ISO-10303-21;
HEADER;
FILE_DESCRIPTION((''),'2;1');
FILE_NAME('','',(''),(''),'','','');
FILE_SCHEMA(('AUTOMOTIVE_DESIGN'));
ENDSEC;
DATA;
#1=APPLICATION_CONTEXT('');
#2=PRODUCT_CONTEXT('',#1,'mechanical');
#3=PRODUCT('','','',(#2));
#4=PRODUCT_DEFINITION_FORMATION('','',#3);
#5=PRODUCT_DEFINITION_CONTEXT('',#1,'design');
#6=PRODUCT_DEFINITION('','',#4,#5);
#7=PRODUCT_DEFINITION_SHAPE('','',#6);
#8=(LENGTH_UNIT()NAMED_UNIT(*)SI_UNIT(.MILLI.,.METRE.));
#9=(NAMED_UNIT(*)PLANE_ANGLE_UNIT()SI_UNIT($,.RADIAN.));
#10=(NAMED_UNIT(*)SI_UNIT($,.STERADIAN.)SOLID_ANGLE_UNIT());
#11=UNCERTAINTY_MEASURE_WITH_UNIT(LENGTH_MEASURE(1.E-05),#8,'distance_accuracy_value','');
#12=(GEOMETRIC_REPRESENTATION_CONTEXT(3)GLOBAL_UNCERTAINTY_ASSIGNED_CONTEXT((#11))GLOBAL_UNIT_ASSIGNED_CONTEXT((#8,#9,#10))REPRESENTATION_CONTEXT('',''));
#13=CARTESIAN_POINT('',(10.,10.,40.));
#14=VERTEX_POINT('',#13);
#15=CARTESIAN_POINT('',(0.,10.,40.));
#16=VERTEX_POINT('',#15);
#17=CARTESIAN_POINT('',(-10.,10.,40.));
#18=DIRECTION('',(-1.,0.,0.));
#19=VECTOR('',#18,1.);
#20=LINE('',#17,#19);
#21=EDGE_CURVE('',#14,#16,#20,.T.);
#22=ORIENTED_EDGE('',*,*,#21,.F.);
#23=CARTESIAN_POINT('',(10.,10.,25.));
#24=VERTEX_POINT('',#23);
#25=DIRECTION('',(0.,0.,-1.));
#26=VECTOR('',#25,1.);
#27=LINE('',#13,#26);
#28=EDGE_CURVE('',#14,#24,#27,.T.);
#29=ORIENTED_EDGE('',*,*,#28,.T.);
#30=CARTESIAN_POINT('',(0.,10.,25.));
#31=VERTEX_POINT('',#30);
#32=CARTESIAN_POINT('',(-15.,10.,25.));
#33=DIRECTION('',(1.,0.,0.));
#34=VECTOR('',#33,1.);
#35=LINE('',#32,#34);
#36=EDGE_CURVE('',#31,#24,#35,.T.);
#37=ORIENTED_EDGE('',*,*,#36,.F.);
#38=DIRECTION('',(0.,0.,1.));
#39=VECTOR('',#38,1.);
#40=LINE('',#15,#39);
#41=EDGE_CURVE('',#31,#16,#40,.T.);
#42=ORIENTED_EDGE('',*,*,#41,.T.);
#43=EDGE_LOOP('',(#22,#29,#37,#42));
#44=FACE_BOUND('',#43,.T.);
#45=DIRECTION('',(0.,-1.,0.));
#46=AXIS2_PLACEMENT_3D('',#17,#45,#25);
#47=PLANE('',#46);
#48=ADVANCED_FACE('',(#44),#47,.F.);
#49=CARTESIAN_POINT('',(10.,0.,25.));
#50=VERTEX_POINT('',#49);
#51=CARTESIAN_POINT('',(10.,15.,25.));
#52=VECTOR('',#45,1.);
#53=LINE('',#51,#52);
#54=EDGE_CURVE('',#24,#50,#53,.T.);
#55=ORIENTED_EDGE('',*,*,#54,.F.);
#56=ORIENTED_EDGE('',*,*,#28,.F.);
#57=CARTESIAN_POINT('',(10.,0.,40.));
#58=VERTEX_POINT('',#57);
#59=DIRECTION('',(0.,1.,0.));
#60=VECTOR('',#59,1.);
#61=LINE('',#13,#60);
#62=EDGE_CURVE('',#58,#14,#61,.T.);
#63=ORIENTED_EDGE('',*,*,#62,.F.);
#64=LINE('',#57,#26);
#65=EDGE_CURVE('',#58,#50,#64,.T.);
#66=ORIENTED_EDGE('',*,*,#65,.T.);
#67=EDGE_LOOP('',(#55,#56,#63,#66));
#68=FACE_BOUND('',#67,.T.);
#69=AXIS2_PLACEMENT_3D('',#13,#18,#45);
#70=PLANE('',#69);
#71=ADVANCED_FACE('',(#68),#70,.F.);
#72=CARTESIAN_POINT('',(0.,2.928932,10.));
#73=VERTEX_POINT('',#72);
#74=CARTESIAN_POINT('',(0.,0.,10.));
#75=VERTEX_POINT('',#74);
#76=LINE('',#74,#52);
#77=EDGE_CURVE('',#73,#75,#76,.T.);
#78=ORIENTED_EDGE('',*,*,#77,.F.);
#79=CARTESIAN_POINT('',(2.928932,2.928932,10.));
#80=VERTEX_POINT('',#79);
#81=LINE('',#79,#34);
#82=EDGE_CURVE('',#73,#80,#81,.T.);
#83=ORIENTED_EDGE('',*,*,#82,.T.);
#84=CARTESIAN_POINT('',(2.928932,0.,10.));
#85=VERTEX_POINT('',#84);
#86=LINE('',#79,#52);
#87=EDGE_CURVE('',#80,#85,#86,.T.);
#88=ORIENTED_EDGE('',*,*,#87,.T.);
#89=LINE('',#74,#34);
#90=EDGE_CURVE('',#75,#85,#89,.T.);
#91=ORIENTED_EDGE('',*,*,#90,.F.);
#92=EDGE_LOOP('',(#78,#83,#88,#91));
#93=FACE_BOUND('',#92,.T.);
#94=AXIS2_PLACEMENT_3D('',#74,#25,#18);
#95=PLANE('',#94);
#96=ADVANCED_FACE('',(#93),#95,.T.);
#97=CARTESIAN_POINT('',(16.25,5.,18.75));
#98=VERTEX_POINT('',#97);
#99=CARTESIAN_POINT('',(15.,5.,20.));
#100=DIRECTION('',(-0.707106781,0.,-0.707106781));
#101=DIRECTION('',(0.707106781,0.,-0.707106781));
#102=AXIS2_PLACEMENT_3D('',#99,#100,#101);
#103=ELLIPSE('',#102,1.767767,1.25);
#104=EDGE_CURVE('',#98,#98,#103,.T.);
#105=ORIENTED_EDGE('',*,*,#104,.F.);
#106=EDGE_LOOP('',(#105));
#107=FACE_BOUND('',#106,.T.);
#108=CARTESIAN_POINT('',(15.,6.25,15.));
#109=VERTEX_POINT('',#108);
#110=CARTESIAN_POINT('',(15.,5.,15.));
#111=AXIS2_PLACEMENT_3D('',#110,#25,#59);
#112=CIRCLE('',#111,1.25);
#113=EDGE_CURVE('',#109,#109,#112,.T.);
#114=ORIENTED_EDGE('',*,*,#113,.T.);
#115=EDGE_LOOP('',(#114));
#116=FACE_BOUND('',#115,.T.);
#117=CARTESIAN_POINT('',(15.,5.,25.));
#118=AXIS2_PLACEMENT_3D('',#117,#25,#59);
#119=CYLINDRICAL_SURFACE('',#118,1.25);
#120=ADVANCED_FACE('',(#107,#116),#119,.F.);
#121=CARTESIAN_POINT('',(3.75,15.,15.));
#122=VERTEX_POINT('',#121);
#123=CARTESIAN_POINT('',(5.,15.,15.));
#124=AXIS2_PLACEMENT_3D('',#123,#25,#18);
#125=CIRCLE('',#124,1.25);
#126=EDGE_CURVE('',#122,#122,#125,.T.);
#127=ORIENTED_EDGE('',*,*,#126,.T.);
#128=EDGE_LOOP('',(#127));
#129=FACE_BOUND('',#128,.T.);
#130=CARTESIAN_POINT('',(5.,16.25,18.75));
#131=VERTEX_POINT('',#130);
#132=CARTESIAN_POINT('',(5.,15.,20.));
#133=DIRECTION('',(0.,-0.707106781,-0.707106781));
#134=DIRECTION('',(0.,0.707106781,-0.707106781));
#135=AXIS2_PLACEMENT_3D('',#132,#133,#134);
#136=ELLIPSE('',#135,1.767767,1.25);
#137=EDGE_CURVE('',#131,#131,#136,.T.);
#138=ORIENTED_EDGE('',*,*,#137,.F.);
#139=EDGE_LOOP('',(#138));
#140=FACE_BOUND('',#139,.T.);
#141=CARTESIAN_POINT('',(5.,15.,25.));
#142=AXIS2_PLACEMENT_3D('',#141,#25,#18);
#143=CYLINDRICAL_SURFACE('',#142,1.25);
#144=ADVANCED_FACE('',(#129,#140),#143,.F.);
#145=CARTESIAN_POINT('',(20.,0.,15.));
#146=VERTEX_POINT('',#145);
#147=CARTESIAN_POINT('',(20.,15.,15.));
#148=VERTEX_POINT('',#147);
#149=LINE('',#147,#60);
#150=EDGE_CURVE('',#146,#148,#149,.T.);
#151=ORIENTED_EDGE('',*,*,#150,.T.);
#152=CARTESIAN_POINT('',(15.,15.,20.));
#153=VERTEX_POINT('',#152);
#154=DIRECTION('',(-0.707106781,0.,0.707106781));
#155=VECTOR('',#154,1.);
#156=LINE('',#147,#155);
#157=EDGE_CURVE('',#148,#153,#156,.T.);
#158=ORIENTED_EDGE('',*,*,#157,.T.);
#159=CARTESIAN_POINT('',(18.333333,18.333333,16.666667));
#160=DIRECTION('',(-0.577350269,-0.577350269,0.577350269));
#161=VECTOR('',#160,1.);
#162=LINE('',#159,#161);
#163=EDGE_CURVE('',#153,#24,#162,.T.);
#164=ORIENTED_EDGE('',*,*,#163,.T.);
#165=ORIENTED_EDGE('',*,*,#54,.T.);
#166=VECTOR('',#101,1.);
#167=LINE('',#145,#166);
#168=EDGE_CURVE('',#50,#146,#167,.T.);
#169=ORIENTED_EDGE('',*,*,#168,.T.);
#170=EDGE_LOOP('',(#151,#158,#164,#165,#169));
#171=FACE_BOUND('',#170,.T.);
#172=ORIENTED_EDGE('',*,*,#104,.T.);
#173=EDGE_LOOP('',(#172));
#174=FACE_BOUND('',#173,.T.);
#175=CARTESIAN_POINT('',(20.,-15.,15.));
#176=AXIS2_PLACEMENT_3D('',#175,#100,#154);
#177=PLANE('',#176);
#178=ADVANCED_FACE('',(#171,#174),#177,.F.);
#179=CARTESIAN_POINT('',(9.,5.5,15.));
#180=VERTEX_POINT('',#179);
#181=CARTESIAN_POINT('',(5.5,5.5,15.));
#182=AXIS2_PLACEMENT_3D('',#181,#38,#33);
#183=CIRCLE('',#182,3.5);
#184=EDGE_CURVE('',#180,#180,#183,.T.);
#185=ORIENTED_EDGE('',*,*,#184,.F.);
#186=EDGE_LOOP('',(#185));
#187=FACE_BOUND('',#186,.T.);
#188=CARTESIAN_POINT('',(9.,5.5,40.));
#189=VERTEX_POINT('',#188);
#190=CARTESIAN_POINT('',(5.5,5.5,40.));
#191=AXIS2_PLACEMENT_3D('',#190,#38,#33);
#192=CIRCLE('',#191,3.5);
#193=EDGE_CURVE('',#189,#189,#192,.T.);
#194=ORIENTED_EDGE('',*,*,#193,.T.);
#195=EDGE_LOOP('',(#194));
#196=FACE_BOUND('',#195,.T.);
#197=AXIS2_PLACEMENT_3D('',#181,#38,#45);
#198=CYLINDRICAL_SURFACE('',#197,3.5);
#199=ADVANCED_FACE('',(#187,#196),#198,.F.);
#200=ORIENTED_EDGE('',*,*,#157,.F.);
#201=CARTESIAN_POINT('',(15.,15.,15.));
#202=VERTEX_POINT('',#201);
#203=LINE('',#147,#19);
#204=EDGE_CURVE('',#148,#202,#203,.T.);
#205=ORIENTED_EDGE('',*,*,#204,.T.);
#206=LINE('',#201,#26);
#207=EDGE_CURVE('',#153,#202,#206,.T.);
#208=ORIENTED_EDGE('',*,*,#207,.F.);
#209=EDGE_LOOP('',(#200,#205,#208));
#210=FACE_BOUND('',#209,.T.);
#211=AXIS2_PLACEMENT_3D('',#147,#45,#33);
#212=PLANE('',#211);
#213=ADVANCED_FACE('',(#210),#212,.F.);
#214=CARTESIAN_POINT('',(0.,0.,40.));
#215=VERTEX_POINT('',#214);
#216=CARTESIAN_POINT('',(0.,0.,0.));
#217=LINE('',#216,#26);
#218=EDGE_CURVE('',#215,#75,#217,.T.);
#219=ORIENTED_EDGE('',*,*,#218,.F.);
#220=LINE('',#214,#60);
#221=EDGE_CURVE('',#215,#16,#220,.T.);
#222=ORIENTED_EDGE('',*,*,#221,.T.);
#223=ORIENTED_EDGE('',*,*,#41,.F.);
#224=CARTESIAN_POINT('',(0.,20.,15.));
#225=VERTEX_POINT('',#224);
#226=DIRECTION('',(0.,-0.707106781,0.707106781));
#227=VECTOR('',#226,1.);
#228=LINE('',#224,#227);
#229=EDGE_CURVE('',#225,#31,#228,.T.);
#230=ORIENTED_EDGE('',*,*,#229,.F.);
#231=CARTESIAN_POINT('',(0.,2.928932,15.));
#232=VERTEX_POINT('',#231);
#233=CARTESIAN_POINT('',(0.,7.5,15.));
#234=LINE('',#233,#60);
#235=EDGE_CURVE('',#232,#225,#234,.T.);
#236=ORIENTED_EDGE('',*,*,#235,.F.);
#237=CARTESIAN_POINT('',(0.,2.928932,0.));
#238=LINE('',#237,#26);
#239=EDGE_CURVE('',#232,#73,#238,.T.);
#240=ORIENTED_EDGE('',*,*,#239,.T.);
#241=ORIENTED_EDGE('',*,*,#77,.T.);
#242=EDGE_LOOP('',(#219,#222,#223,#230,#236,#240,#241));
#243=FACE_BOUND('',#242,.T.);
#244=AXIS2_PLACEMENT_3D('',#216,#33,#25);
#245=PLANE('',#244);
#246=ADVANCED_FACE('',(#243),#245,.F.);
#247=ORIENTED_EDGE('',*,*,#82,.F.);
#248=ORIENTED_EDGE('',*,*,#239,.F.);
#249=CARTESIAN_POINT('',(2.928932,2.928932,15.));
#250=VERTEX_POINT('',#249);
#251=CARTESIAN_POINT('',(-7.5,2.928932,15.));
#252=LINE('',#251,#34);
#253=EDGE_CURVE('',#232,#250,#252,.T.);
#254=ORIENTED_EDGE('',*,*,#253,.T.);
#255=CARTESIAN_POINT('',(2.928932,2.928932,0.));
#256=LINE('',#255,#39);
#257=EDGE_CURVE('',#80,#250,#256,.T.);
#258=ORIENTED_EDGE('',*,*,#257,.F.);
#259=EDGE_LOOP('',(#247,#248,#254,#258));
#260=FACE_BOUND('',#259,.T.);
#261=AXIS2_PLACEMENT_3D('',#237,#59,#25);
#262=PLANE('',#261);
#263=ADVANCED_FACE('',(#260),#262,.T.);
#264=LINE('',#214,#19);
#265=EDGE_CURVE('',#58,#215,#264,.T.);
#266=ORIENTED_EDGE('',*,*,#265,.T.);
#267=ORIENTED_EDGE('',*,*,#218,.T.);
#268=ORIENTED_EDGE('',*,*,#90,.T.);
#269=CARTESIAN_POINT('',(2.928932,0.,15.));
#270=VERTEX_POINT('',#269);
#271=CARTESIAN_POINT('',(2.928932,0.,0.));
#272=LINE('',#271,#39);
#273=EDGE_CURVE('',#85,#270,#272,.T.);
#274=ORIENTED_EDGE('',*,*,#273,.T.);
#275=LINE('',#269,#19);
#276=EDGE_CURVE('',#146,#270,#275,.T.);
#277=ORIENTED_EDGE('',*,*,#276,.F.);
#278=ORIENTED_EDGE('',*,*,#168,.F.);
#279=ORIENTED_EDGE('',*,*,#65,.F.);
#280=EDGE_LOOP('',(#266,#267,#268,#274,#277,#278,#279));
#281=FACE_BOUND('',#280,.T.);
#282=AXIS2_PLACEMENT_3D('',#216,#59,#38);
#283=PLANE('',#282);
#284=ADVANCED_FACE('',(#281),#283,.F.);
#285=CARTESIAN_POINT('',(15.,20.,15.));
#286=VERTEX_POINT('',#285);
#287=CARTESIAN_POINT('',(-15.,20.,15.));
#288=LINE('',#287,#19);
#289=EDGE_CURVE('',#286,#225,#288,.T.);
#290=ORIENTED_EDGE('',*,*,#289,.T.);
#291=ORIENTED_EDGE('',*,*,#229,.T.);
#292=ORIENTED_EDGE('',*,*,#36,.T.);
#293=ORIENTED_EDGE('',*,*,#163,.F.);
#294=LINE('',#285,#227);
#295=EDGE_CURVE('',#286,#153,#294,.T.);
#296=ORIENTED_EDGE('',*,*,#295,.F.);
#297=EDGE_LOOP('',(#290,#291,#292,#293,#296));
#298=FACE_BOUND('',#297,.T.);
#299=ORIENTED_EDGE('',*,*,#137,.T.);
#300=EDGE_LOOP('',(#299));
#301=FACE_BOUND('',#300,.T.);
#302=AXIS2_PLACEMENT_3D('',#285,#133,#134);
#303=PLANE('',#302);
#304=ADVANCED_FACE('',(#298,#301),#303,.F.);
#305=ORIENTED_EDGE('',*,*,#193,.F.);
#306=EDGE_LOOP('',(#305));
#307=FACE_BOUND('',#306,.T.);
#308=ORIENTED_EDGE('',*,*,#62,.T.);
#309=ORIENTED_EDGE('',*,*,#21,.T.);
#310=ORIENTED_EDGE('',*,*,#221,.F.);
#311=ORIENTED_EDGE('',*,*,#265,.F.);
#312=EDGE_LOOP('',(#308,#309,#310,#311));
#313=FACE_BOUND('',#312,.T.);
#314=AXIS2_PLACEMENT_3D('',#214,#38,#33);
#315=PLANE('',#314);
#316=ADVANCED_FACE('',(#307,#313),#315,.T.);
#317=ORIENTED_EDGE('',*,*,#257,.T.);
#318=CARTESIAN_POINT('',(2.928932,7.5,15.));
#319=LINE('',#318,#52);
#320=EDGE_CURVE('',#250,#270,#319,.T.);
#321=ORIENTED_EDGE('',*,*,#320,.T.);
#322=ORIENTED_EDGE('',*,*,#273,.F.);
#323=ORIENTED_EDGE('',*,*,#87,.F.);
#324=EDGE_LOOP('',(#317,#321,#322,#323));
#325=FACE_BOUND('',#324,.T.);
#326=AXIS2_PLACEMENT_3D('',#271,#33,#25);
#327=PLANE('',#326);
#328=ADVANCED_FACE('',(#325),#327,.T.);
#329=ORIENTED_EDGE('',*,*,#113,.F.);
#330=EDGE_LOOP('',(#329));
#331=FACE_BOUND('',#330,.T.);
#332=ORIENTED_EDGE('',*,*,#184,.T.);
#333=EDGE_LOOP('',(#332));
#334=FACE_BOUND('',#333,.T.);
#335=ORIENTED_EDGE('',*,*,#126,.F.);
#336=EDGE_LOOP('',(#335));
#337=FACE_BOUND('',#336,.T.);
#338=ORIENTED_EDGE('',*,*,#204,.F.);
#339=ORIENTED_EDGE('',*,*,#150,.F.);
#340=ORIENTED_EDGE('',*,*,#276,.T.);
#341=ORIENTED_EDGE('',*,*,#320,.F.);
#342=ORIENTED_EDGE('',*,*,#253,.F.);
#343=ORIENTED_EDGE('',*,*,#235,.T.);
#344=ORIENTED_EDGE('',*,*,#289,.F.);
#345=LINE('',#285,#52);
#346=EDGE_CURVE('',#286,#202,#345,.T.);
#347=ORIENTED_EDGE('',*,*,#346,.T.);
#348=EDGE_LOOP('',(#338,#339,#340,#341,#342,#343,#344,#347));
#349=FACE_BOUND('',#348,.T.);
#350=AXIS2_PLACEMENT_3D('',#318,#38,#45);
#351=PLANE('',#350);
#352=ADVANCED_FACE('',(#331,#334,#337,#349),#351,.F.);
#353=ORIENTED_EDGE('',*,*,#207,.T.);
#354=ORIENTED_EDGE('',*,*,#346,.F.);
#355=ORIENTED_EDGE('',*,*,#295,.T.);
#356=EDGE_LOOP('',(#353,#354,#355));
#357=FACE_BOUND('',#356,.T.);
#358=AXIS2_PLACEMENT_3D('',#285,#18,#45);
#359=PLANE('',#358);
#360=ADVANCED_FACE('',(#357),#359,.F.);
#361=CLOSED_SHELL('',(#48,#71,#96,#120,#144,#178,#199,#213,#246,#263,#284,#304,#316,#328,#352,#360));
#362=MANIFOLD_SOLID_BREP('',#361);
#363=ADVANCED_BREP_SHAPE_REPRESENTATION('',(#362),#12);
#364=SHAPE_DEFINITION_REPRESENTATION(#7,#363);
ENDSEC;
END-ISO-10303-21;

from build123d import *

# Parameters (mm, degrees)
SKETCH_1_W                = 20
SKETCH_1_H                = 20
EXTRUDE_1_DEPTH           = 40
SKETCH_2_W                = 10
SKETCH_2_H                = 15
CUT_EXTRUDE_1_DEPTH       = 7.071067812
PATTERN_CIRCULAR_1_COUNT  = 4
SKETCH_5_R                = 3.5
CUT_EXTRUDE_2_DEPTH       = 25
CUT_EXTRUDE_3_DEPTH       = 5
SKETCH_9_W                = 5.878932188
SKETCH_9_H                = 5.878932188
CUT_EXTRUDE_5_DEPTH       = 5
SKETCH_11_W               = 10
SKETCH_11_H               = 30
EXTRUDE_2_DEPTH           = 10
CUT_EXTRUDE_6_DEPTH       = 30
SKETCH_13_R               = 1.25
CUT_EXTRUDE_7_DEPTH       = 10
PATTERN_CIRCULAR_2_COUNT  = 4
SKETCH_16_W               = 20
SKETCH_16_H               = 10
CUT_EXTRUDE_11_DEPTH      = 40
SKETCH_17_W               = 20
SKETCH_17_H               = 20
SKETCH_17_W_2             = 5.857864376
SKETCH_17_H_2             = 5.857864376
CUT_EXTRUDE_12_DEPTH      = 5
CUT_EXTRUDE_13_DEPTH      = 54.851648071
CUT_EXTRUDE_13_DEPTH_BACK = 10
SKETCH_19_W               = 81.536041923
SKETCH_19_H               = 68.786769913
CUT_EXTRUDE_16_DEPTH      = 400
SKETCH_20_W               = 73.081310303
SKETCH_20_H               = 44.358386444
CUT_EXTRUDE_18_DEPTH      = 400


with BuildPart() as part:
    # 스케치1 → 보스-돌출1 (new body)
    with BuildSketch(Plane.XY):
        Rectangle(SKETCH_1_W, SKETCH_1_H)
    extrude(amount=EXTRUDE_1_DEPTH)

    # 스케치2 → 컷-돌출1 (cut)
    with BuildSketch(Plane(origin=(10, 0, 0), x_dir=(0, 0, -1), z_dir=(1, 0, 0))):
        with Locations((-10, 0)):
            Rectangle(SKETCH_2_W, SKETCH_2_H)
    cut_extrude_1 = extrude(amount=-CUT_EXTRUDE_1_DEPTH, mode=Mode.SUBTRACT)

    # 원형 패턴1: 컷-돌출1 ×4 about axis
    pattern_circular_1_axis = Axis((0, 0, 0), (0, 0, 1))
    for i in range(1, PATTERN_CIRCULAR_1_COUNT):
        add(cut_extrude_1.rotate(pattern_circular_1_axis, i * 360 / PATTERN_CIRCULAR_1_COUNT), mode=Mode.SUBTRACT)

    # 스케치5 → 컷-돌출2 (cut)
    with BuildSketch(Plane.XY.offset(40)):
        with Locations((-5.5, 5.5)):
            Circle(SKETCH_5_R)
        with Locations((5.5, 5.5)):
            Circle(SKETCH_5_R)
        with Locations(Location((-5.5, -5.5, 0), (0, 0, 235.150095421))):
            Circle(SKETCH_5_R)
        with Locations(Location((5.5, -5.5, 0), (0, 0, 304.849904579))):
            Circle(SKETCH_5_R)
    extrude(amount=-CUT_EXTRUDE_2_DEPTH, mode=Mode.SUBTRACT)

    # 스케치6 → 컷-돌출3 (cut)
    with BuildSketch(Plane(origin=(0, 0, 0), x_dir=(-1, 0, 0), z_dir=(0, 0, -1))):
        Polygon((-14.808802863, -2.95), (-14.808802863, 2.95), (-2.95, 2.95), (-2.95, 12.360254216), (2.95, 12.360254216), (2.95, 2.95), (13.852115441, 2.95), (13.852115441, -2.95), (2.95, -2.95), (2.95, -13.975695818), (-2.95, -13.975695818), (-2.95, -2.95), align=None)
    extrude(amount=-CUT_EXTRUDE_3_DEPTH, mode=Mode.SUBTRACT)

    # 스케치9 → 컷-돌출5 (cut)
    with BuildSketch(Plane(origin=(0, 0, 5), x_dir=(-1, 0, 0), z_dir=(0, 0, -1))):
        with Locations((0.010533906, -0.010533906)):
            Rectangle(SKETCH_9_W, SKETCH_9_H)
    extrude(amount=-CUT_EXTRUDE_5_DEPTH, mode=Mode.SUBTRACT)

    # 스케치11 → 보스-돌출2 (add)
    with BuildSketch(Plane(origin=(10, 0, 0), x_dir=(0, 0, -1), z_dir=(1, 0, 0))):
        with Locations((-20, 0)):
            Rectangle(SKETCH_11_W, SKETCH_11_H)
    extrude_2 = extrude(amount=EXTRUDE_2_DEPTH)

    # 스케치12 → 컷-돌출6 (cut)
    with BuildSketch(Plane(origin=(0, 15, 0), x_dir=(1, 0, 0), z_dir=(0, 1, 0))):
        Polygon((20, -15), (10, -25), (20, -25), align=None)
    cut_extrude_6 = extrude(amount=-CUT_EXTRUDE_6_DEPTH, mode=Mode.SUBTRACT)

    # 스케치13 → 컷-돌출7 (cut)
    with BuildSketch(Plane(origin=(0, 0, 15), x_dir=(-1, 0, 0), z_dir=(0, 0, -1))):
        with Locations(Location((-15, -5, 0), (0, 0, 90))):
            Circle(SKETCH_13_R)
        with Locations(Location((-15, 5, 0), (0, 0, 90))):
            Circle(SKETCH_13_R)
    cut_extrude_7 = extrude(amount=-CUT_EXTRUDE_7_DEPTH, mode=Mode.SUBTRACT)

    # 원형 패턴2: 보스-돌출2, 컷-돌출6, 컷-돌출7 ×4 about axis
    pattern_circular_2_axis = Axis((0, 0, 0), (0, 0, 1))
    add([extrude_2.rotate(pattern_circular_2_axis, i * 360 / PATTERN_CIRCULAR_2_COUNT) for i in range(1, PATTERN_CIRCULAR_2_COUNT)])
    add([cut_extrude_6.rotate(pattern_circular_2_axis, i * 360 / PATTERN_CIRCULAR_2_COUNT) for i in range(1, PATTERN_CIRCULAR_2_COUNT)], mode=Mode.SUBTRACT)
    add([cut_extrude_7.rotate(pattern_circular_2_axis, i * 360 / PATTERN_CIRCULAR_2_COUNT) for i in range(1, PATTERN_CIRCULAR_2_COUNT)], mode=Mode.SUBTRACT)

    # 스케치16 → 컷-돌출11 (cut)
    with BuildSketch(Plane.XZ.offset(10)):
        with Locations((0, 5)):
            Rectangle(SKETCH_16_W, SKETCH_16_H)
    extrude(amount=-CUT_EXTRUDE_11_DEPTH, mode=Mode.SUBTRACT)

    # 스케치17 → 컷-돌출12 (cut)
    with BuildSketch(Plane(origin=(0, 0, 10), x_dir=(-1, 0, 0), z_dir=(0, 0, -1))):
        Rectangle(SKETCH_17_W, SKETCH_17_H)
        Rectangle(SKETCH_17_W_2, SKETCH_17_H_2, mode=Mode.SUBTRACT)
    extrude(amount=-CUT_EXTRUDE_12_DEPTH, mode=Mode.SUBTRACT)

    # 스케치18 → 컷-돌출13 (cut, two sides: drawn at the far end of the back side and taken through both)
    with BuildSketch(Plane.XZ.offset(-10).offset(-CUT_EXTRUDE_13_DEPTH_BACK)):
        Polygon((10, 25), (15, 25), (15, 20), align=None)
    extrude(amount=CUT_EXTRUDE_13_DEPTH + CUT_EXTRUDE_13_DEPTH_BACK, mode=Mode.SUBTRACT)

    # 스케치19 → 컷-돌출16 (cut)
    with BuildSketch(Plane(origin=(0, 0, 0), x_dir=(1, 0, 0), z_dir=(0, 1, 0))):
        with Locations((9.636077682, -26.334226141)):
            Rectangle(SKETCH_19_W, SKETCH_19_H)
    extrude(amount=-CUT_EXTRUDE_16_DEPTH, mode=Mode.SUBTRACT)

    # 스케치20 → 컷-돌출18 (cut)
    with BuildSketch(Plane(origin=(0, 0, 0), x_dir=(0, 0, -1), z_dir=(1, 0, 0))):
        with Locations((-16.834813983, 6.467543638)):
            Rectangle(SKETCH_20_W, SKETCH_20_H)
    extrude(amount=-CUT_EXTRUDE_18_DEPTH, mode=Mode.SUBTRACT)


solid = part.part
